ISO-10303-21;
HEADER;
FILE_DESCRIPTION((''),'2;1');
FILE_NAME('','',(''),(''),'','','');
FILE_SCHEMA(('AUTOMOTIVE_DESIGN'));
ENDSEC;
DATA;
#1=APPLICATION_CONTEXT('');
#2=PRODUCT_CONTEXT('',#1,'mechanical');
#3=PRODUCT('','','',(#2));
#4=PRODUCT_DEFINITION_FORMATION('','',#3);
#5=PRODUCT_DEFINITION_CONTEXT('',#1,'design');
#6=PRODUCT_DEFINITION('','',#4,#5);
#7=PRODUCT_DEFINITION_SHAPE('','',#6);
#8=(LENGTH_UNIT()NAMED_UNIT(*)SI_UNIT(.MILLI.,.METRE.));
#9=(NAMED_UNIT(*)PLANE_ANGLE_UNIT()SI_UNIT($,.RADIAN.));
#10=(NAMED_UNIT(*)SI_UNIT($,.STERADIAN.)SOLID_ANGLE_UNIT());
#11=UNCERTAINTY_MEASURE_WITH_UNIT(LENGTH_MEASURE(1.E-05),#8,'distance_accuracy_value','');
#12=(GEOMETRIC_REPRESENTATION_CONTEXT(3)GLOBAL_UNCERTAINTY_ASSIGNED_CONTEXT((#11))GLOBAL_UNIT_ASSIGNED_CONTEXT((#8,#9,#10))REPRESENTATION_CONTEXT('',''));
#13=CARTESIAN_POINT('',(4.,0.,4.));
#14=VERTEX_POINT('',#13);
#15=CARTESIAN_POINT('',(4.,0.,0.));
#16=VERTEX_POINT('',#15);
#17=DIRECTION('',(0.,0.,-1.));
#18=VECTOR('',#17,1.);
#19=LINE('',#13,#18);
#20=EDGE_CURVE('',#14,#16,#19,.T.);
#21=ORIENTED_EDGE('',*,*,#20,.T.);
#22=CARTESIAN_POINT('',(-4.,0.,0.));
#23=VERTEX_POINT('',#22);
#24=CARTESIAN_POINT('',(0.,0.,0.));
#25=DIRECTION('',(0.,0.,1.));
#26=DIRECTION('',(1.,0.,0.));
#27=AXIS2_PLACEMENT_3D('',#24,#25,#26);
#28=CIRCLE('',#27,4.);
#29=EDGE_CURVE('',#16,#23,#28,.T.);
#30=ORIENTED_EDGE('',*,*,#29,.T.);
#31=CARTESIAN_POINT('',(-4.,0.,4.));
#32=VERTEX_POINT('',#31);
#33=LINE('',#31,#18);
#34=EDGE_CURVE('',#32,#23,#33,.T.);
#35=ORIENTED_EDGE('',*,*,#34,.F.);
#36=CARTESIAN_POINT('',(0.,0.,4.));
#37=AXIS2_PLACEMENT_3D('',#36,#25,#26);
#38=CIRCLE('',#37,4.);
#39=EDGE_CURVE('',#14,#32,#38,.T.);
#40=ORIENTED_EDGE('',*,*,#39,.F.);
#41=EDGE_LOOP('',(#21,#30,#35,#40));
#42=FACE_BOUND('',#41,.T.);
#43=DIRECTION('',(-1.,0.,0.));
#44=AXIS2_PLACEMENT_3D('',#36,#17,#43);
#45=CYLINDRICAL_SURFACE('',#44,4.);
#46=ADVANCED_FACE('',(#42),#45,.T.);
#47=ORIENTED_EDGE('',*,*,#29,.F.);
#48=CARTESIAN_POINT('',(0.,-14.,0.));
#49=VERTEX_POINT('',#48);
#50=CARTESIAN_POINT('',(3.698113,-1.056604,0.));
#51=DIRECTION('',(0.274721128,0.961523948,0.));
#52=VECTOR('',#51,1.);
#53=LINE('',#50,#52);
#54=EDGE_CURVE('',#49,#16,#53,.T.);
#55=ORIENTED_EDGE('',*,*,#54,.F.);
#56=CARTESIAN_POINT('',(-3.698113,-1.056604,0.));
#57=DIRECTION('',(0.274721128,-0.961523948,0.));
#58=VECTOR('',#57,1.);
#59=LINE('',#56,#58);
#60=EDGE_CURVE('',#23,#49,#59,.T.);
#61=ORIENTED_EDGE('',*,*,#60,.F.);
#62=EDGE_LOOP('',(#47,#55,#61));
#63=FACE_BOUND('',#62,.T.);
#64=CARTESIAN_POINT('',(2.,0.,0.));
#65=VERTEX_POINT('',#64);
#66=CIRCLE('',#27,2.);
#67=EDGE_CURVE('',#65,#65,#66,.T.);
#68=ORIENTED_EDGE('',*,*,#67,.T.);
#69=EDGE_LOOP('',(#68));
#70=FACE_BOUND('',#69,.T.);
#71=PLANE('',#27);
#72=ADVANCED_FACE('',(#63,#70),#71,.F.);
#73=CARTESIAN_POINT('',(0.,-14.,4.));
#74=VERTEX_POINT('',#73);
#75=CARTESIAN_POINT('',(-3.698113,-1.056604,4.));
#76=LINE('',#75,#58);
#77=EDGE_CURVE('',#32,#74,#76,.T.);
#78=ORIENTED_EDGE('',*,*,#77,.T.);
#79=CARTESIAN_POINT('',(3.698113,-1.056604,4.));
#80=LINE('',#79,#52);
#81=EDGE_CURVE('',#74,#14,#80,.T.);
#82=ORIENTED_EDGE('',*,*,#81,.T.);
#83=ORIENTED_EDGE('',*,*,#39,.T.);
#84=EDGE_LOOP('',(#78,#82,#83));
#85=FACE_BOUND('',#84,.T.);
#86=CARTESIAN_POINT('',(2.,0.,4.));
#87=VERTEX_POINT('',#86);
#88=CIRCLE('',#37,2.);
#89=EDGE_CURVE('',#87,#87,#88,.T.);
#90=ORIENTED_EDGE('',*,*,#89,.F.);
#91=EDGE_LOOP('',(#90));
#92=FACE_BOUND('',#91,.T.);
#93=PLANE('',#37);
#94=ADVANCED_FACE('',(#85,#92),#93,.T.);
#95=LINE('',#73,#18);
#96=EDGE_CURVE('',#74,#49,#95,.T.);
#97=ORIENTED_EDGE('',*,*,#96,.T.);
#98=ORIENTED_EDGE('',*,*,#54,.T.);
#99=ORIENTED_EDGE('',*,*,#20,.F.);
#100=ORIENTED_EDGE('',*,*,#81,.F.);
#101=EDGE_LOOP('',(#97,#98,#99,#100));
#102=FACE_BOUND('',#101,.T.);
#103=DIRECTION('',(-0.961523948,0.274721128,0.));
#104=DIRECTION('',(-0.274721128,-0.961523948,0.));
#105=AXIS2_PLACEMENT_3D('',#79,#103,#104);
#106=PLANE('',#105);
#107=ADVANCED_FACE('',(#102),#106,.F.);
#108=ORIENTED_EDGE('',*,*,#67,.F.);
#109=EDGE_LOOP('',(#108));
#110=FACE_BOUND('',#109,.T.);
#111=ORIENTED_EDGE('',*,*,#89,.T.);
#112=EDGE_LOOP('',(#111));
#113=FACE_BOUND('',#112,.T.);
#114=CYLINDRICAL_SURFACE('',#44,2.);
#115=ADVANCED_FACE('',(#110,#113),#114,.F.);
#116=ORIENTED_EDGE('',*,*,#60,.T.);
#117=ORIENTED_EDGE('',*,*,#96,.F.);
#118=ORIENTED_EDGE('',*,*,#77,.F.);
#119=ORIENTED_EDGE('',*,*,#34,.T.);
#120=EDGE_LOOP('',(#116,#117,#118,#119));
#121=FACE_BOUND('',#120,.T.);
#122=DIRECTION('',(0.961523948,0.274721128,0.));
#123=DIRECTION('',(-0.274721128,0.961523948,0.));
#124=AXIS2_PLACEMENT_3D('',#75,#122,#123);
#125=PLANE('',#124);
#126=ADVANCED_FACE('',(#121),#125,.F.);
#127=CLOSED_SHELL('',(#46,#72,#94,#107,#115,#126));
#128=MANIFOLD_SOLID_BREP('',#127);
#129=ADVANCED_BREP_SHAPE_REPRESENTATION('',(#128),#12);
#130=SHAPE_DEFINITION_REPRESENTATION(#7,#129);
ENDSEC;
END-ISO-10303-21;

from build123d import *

# Parameters (mm, degrees)
BOSS_EXTRUDE1_DEPTH = 4


with BuildPart() as part:
    # Sketch1 → Boss-Extrude1 (new body)
    with BuildSketch(Plane.XY):
        with BuildLine():
            ThreePointArc((3.396226415, -2.113207547), (0, -4), (-3.396226415, -2.113207547))
            Line((-3.396226415, -2.113207547), (0, -14))
            Line((0, -14), (3.396226415, -2.113207547))
        make_face()
        with BuildLine():
            Line((-2, 0), (-4, 0))
            Line((-4, 0), (-3.396226415, -2.113207547))
            ThreePointArc((-3.396226415, -2.113207547), (0, -4), (3.396226415, -2.113207547))
            Line((3.396226415, -2.113207547), (4, 0))
            Line((4, 0), (2, 0))
            ThreePointArc((2, 0), (0, -2), (-2, 0))
        make_face()
        with BuildLine():
            ThreePointArc((4, 0), (0, 4), (-4, 0))
            Line((-4, 0), (-2, 0))
            ThreePointArc((-2, 0), (0, 2), (2, 0))
            Line((2, 0), (4, 0))
        make_face()
    extrude(amount=BOSS_EXTRUDE1_DEPTH)


solid = part.part
